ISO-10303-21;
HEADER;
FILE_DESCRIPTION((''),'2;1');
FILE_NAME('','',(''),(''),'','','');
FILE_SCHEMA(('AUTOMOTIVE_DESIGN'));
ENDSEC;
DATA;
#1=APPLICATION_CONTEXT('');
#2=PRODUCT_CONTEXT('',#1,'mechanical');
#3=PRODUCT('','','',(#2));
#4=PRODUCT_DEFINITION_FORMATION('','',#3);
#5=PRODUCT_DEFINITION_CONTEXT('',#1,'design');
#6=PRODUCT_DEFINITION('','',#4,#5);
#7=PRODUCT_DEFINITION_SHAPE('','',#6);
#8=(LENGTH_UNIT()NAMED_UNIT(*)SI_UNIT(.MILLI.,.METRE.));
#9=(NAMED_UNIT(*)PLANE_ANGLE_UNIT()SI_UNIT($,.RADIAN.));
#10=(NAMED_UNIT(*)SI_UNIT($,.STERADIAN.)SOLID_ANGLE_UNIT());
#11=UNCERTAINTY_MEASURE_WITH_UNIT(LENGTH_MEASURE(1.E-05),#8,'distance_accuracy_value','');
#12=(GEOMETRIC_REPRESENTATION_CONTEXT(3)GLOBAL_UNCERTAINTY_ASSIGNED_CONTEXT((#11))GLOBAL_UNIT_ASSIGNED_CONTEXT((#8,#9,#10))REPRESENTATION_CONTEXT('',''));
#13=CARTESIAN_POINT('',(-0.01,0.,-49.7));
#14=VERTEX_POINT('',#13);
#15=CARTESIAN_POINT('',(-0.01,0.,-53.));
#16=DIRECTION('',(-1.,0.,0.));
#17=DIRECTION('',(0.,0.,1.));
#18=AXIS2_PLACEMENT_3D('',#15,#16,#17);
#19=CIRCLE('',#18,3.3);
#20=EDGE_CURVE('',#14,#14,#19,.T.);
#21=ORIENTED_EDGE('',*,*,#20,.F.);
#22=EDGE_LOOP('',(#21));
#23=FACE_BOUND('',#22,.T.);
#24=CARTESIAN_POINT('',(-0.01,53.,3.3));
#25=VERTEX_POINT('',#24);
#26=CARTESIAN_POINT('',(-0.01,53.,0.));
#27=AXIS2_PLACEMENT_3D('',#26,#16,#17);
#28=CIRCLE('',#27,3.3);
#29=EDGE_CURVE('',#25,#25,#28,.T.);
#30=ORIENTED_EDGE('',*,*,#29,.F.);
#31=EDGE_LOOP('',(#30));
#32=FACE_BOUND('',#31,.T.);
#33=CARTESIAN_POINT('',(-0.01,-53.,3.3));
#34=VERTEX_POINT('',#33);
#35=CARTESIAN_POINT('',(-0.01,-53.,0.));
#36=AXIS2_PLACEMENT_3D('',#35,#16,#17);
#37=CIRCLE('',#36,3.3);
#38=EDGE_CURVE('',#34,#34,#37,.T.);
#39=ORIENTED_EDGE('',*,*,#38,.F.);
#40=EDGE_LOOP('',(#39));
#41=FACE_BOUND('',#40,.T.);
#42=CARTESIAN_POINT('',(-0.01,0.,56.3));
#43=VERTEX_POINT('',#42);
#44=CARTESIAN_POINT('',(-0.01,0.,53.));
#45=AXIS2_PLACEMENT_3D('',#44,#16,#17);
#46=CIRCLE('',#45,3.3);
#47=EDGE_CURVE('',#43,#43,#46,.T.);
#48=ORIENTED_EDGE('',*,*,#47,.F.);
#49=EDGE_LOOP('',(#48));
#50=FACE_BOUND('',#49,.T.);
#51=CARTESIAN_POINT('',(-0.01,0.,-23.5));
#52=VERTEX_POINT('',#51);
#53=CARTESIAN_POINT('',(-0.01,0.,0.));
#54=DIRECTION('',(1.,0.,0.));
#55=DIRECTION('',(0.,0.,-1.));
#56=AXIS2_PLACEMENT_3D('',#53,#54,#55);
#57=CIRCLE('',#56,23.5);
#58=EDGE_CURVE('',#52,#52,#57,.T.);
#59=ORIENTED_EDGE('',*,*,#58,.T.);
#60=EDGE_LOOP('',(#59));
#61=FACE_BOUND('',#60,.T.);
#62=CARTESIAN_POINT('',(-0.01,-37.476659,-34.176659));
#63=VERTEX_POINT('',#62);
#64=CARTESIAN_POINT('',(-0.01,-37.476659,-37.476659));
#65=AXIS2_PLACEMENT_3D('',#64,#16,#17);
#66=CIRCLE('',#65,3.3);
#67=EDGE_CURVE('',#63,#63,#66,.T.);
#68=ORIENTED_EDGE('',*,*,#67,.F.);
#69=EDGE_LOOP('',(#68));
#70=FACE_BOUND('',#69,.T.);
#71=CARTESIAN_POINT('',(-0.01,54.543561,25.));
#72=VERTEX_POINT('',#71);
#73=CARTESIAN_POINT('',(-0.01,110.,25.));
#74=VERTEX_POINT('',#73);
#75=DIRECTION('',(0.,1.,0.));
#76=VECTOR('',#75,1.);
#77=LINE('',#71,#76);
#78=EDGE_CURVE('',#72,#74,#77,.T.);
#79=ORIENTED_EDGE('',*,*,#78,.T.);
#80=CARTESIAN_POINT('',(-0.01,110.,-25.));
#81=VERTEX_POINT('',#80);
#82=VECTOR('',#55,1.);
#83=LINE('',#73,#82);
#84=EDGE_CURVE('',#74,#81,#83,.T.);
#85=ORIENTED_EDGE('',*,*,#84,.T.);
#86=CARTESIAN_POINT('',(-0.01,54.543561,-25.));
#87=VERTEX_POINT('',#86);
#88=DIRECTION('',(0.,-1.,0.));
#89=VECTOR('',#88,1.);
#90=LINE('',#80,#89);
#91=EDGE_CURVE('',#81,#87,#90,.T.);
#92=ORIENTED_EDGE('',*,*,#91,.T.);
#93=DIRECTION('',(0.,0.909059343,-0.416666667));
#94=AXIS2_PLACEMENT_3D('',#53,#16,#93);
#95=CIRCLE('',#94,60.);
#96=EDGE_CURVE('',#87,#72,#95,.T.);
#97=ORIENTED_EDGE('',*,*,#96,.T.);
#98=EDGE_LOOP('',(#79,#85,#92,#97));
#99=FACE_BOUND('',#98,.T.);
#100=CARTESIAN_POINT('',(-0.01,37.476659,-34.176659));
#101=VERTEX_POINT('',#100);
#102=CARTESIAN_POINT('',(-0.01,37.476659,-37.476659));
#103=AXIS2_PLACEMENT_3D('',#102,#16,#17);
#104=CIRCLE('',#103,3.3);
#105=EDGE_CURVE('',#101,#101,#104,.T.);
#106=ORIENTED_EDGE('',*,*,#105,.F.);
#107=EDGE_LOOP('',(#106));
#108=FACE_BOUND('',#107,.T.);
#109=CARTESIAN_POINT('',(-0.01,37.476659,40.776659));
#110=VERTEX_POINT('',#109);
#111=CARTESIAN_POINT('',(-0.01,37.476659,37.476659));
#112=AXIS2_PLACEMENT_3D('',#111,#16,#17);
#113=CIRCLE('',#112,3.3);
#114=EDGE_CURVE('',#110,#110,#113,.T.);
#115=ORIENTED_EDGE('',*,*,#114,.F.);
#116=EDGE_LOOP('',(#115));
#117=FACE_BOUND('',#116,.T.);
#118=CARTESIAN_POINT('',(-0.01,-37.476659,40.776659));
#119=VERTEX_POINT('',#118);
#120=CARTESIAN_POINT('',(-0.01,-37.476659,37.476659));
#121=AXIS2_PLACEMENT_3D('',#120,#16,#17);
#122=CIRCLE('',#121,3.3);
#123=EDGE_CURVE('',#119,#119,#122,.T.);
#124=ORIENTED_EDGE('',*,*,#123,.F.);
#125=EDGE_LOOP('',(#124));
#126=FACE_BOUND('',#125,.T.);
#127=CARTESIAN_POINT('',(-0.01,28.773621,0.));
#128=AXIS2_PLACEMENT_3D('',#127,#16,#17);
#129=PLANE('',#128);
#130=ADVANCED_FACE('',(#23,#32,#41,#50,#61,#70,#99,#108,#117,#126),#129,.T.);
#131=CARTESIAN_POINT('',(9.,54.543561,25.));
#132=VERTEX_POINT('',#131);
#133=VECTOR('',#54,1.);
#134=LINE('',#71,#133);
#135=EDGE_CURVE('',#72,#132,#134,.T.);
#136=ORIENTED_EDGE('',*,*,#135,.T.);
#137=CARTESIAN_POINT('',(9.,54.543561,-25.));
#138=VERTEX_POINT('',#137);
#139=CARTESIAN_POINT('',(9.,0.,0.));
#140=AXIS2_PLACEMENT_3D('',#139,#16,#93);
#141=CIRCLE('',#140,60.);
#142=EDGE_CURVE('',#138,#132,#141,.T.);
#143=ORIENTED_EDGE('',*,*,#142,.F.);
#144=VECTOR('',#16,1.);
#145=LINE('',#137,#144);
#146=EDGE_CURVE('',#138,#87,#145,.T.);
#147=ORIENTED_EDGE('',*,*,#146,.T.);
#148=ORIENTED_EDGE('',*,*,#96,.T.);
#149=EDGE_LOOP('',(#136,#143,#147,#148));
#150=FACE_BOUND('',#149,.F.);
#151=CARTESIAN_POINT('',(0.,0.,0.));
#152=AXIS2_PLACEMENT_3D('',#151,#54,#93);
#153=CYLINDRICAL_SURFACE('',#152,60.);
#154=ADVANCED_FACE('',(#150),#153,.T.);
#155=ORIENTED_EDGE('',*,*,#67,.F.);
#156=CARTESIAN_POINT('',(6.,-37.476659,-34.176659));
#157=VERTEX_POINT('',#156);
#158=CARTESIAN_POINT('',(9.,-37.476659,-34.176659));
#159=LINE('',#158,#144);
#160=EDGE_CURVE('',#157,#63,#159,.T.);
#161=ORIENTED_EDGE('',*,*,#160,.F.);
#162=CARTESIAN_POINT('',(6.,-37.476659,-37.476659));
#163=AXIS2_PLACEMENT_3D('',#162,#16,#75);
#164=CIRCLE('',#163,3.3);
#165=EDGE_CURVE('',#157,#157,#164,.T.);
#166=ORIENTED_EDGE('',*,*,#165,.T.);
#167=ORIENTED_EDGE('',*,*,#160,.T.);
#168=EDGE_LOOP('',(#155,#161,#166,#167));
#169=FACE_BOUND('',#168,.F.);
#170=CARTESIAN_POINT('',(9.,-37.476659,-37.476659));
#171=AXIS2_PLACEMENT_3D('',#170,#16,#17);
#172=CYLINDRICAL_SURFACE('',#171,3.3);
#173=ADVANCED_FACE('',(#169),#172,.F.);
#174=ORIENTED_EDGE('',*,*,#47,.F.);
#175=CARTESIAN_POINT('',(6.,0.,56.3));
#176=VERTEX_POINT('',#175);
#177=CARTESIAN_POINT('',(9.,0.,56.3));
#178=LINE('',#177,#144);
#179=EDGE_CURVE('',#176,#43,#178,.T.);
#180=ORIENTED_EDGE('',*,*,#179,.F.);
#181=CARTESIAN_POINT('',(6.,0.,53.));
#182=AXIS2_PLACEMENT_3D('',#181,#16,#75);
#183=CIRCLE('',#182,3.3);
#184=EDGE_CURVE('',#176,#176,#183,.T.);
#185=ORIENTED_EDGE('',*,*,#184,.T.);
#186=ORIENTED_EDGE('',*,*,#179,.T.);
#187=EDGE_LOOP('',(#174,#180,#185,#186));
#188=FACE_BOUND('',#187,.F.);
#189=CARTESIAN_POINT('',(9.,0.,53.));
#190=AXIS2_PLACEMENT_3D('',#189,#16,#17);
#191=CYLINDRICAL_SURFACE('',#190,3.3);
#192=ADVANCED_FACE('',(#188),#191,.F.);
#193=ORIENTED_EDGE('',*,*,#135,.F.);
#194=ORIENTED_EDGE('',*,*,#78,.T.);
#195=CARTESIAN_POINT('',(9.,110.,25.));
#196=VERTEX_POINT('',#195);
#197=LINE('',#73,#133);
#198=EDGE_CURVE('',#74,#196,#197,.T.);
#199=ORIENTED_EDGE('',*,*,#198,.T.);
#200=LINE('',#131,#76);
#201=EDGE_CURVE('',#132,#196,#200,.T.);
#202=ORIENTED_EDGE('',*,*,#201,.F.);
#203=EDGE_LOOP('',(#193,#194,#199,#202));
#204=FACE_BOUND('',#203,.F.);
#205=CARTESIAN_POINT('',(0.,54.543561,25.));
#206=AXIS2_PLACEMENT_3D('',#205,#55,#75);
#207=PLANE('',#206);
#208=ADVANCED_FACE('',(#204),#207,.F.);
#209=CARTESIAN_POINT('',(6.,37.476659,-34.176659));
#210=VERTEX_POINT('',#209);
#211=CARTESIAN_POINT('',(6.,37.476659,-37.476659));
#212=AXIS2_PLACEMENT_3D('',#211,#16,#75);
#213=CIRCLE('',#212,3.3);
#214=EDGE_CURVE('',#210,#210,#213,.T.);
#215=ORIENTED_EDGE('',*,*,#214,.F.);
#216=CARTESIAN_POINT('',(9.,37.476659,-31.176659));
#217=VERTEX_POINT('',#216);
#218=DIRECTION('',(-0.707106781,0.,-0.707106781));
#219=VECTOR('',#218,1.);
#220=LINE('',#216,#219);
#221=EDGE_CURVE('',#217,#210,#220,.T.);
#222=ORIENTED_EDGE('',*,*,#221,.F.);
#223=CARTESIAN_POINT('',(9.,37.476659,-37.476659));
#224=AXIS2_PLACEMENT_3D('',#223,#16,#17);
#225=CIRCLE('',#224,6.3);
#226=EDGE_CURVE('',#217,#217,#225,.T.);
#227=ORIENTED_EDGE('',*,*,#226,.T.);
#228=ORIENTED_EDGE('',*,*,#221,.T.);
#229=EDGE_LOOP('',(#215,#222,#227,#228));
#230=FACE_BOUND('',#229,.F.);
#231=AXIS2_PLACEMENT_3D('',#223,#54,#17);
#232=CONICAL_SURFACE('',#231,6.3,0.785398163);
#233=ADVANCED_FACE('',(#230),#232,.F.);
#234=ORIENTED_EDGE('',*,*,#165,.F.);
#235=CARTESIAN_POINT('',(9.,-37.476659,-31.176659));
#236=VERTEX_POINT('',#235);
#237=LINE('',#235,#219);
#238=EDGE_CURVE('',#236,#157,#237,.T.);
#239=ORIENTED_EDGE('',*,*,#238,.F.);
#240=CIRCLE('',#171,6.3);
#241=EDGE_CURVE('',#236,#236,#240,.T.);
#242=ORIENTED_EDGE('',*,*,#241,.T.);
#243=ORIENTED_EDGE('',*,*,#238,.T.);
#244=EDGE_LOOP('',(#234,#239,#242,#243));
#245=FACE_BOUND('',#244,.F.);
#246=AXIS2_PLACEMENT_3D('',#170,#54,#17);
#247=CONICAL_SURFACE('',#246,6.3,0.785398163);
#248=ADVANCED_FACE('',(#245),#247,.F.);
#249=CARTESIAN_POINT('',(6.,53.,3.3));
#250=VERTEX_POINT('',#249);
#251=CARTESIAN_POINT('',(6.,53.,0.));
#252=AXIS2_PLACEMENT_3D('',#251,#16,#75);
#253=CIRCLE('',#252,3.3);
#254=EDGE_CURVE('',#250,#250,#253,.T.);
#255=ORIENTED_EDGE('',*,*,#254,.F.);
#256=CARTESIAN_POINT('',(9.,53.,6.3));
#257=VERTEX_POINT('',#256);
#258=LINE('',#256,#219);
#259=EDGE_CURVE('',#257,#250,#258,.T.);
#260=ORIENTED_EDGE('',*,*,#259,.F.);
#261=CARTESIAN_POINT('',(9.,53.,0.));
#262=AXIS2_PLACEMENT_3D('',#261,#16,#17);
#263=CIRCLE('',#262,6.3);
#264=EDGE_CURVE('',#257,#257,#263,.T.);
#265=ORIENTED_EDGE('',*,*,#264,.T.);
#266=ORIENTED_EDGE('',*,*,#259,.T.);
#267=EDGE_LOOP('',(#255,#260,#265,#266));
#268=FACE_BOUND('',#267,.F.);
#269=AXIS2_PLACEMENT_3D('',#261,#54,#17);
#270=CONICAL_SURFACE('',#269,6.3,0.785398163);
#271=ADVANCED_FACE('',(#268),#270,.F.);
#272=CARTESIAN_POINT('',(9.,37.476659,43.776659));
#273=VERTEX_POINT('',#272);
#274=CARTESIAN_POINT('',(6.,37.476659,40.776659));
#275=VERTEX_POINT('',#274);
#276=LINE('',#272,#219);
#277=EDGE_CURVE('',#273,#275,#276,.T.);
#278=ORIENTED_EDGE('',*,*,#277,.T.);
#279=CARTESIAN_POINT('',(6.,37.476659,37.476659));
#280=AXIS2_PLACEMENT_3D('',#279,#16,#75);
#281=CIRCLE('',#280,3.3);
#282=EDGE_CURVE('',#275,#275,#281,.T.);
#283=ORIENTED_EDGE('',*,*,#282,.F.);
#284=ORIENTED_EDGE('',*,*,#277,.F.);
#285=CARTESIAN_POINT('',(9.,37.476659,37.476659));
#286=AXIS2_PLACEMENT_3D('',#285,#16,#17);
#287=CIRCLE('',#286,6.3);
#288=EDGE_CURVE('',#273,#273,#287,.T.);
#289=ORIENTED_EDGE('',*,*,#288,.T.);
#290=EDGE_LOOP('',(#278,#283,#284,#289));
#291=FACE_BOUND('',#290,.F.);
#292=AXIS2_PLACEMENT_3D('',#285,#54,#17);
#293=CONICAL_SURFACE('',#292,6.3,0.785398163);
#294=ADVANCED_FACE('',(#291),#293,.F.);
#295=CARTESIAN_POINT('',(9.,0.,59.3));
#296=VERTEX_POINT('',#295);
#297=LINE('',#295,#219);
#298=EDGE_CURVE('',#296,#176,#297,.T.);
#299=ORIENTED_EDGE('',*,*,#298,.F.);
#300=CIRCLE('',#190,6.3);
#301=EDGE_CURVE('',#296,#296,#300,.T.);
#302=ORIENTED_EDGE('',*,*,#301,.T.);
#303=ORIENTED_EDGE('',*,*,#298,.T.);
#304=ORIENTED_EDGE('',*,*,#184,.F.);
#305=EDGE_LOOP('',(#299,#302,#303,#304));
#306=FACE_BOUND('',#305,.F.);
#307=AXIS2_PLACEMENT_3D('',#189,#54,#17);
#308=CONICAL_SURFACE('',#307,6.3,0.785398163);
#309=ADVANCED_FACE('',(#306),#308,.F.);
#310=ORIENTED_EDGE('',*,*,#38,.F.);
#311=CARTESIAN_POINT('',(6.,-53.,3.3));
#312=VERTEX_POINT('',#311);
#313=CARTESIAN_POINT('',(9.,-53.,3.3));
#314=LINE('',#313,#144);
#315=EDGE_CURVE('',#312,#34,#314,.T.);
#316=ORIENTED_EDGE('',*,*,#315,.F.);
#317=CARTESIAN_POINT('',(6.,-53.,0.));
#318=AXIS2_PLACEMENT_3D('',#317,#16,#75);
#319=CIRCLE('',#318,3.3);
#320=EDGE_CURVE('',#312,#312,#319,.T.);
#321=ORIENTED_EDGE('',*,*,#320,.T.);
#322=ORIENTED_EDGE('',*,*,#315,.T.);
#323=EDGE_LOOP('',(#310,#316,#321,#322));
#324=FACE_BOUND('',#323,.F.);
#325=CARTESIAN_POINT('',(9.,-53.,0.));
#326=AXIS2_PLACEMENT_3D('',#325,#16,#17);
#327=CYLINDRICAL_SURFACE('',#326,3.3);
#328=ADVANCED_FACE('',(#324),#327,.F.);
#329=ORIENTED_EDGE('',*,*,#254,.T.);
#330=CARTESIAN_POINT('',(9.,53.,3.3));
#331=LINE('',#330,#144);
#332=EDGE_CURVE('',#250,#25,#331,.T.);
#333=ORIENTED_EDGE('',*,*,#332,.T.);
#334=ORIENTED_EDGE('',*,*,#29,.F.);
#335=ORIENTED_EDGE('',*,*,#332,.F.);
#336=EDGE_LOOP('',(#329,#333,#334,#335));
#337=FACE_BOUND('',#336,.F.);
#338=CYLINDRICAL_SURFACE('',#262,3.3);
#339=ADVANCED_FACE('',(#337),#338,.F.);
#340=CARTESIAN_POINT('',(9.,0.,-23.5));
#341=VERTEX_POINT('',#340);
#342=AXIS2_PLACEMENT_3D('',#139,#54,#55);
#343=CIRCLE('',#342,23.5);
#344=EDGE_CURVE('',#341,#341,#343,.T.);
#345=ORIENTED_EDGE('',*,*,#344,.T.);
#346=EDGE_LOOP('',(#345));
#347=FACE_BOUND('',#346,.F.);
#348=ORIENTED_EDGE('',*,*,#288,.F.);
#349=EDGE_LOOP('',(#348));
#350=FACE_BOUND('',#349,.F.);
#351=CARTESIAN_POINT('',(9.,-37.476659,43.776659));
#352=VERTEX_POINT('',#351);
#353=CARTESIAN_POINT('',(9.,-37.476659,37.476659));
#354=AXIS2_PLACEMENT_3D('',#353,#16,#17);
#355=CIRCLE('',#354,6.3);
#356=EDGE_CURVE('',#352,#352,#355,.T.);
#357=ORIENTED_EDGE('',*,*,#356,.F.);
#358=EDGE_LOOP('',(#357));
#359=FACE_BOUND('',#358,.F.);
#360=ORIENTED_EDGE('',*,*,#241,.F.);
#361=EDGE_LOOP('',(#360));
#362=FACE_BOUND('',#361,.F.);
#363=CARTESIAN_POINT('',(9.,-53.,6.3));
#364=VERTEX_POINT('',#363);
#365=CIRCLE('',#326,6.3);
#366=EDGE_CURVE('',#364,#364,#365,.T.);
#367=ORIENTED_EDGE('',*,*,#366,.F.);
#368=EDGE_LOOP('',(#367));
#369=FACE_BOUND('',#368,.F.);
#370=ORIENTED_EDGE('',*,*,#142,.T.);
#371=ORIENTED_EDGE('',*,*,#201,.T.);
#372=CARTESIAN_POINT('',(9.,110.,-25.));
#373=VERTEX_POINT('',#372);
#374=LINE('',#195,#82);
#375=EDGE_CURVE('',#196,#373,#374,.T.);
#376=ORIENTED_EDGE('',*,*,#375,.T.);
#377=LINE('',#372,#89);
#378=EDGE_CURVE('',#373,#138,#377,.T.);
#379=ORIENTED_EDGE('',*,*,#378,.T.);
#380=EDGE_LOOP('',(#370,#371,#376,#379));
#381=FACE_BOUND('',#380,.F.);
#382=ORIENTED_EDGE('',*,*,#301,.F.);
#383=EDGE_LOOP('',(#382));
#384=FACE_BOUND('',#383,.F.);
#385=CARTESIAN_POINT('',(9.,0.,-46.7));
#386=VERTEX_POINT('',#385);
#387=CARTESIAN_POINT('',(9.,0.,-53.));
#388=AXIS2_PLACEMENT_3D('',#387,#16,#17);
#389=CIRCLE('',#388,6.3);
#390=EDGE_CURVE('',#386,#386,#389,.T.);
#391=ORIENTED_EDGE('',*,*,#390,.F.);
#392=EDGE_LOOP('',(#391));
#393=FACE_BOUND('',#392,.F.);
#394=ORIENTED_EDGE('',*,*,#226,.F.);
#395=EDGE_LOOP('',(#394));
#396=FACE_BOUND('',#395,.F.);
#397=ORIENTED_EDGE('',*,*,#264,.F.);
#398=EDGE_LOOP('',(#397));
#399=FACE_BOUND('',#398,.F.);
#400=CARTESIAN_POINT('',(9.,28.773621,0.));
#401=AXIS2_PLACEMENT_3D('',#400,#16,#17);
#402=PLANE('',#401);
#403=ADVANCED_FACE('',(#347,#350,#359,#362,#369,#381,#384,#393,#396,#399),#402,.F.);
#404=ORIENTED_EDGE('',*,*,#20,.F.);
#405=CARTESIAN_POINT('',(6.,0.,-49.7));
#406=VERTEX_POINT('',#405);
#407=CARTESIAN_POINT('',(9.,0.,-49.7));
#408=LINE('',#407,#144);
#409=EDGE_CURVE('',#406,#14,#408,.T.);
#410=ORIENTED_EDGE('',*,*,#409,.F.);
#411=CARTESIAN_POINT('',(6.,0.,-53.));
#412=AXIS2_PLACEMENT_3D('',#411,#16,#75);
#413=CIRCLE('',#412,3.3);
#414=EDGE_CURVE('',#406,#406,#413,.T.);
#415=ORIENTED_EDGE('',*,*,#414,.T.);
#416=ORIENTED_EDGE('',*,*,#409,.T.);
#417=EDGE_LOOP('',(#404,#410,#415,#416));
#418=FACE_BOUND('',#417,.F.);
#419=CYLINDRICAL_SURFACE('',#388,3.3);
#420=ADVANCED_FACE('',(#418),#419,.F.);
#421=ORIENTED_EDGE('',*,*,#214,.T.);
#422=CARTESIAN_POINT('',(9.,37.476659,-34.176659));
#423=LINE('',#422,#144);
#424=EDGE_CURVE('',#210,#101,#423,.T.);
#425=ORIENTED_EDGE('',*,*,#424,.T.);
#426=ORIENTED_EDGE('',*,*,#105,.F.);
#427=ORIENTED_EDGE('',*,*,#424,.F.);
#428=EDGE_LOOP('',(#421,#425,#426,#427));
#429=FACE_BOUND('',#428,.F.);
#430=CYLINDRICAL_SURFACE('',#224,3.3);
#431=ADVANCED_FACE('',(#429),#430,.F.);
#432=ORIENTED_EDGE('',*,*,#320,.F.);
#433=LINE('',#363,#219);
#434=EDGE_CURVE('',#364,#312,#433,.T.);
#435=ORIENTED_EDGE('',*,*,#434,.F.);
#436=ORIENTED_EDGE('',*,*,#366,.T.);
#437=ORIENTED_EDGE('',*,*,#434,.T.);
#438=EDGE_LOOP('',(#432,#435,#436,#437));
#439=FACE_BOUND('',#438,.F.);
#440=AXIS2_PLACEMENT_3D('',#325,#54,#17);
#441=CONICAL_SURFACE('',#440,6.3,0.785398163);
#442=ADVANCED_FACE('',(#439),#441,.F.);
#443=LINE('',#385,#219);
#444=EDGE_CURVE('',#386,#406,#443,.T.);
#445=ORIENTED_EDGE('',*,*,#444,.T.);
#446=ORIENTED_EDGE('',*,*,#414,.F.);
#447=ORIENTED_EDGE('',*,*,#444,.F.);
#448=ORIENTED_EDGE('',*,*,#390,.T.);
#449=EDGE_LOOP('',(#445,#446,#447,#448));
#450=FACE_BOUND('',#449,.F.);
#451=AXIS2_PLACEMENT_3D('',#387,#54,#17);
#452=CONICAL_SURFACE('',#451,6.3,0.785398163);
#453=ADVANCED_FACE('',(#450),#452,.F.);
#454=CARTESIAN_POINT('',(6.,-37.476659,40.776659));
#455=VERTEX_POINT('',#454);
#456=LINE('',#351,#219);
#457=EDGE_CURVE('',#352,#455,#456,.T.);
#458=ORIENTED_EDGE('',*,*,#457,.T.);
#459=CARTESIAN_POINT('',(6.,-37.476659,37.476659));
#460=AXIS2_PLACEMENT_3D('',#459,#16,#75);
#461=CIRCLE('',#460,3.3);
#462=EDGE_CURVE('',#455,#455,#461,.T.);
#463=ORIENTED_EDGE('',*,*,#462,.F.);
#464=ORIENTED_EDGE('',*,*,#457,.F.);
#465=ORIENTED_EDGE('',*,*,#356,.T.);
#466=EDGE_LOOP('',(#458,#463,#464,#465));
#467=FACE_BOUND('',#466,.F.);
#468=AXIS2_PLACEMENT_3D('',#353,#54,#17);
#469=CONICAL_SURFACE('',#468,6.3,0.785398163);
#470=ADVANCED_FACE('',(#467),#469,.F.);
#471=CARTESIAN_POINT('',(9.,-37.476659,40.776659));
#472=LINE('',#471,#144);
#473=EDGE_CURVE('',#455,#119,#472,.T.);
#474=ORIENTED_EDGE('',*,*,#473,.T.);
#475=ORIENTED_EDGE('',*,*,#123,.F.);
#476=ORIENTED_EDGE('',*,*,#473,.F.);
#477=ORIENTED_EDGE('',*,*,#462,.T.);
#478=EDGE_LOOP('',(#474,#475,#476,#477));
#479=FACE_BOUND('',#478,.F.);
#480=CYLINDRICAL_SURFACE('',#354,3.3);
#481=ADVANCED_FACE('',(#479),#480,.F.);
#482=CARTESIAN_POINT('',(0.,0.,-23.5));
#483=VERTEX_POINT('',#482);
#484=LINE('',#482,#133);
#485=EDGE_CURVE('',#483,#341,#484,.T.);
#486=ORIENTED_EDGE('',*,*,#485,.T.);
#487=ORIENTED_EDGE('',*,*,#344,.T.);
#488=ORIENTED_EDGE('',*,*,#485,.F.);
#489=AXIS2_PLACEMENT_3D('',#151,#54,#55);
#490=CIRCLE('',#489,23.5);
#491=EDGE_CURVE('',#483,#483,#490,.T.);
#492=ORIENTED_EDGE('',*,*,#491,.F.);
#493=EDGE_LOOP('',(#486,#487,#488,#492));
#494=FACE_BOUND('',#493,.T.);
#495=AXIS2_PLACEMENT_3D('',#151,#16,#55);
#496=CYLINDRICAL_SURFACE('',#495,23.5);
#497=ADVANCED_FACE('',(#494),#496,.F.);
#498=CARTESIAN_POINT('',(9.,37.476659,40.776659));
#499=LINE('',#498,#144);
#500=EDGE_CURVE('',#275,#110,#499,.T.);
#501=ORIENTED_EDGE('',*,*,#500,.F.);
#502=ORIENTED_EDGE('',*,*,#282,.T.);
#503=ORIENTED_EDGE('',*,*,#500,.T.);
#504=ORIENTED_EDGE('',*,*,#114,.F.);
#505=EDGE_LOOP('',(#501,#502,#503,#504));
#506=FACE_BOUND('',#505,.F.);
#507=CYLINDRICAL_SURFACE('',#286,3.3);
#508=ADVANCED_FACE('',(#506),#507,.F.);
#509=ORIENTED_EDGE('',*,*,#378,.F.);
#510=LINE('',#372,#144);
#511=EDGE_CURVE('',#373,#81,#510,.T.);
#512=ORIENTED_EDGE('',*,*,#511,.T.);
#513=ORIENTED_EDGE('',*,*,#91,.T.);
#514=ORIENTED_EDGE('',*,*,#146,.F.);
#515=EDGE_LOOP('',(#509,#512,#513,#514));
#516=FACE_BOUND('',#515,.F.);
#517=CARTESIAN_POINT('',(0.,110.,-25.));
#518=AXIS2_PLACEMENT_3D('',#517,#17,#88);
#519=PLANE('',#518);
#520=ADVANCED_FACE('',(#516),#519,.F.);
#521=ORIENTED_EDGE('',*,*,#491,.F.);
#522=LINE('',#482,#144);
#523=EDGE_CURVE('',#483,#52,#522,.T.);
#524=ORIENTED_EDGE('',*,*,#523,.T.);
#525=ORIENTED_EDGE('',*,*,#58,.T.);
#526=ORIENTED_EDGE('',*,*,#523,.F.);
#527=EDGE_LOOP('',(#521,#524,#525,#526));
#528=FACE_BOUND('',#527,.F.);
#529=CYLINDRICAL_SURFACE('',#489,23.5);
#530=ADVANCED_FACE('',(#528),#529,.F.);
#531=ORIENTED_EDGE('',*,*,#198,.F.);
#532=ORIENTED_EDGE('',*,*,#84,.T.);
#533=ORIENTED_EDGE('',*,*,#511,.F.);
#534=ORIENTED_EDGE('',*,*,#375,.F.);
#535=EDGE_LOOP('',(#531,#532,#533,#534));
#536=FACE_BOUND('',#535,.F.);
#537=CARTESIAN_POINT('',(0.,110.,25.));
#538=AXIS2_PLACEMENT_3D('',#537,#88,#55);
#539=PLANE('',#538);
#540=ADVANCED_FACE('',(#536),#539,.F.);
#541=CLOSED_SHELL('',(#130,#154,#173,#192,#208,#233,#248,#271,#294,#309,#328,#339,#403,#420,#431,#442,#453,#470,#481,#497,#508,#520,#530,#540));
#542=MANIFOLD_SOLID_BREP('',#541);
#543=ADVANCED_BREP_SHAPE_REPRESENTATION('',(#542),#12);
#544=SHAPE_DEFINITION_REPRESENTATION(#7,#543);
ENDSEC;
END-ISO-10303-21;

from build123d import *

# Parameters (mm, degrees)
SKETCH1_R                                           = 23.5
BOSS_EXTRUDE1_DEPTH                                 = 9
BOSS_EXTRUDE1_DEPTH_BACK                            = 0.01
CSK_FOR_M6_COUNTERSUNK_FLAT_HEAD_SCREW1_D           = 6.6
CSK_FOR_M6_COUNTERSUNK_FLAT_HEAD_SCREW1_CSINK_D     = 12.6
CSK_FOR_M6_COUNTERSUNK_FLAT_HEAD_SCREW1_CSINK_ANGLE = 90


with BuildPart() as part:
    # Sketch1 → Boss-Extrude1 (new body, two sides)
    with BuildSketch(Plane(origin=(0, 0, 0), x_dir=(0, 0, -1), z_dir=(1, 0, 0))) as boss_extrude1_sk:
        with BuildLine():
            Line((-25, 110), (25, 110))
            Line((25, 110), (25, 54.543560573))
            ThreePointArc((25, 54.543560573), (0, -60), (-25, 54.543560573))
            Line((-25, 54.543560573), (-25, 110))
        make_face()
        Circle(SKETCH1_R, mode=Mode.SUBTRACT)
    extrude(amount=BOSS_EXTRUDE1_DEPTH)
    extrude(boss_extrude1_sk.sketch, amount=-BOSS_EXTRUDE1_DEPTH_BACK)

    # CSK for M6 Countersunk Flat Head Screw1 (through all)
    with Locations(Plane(origin=(9, 0, 0), x_dir=(0, 0, -1), z_dir=(1, 0, 0))):
        with Locations((-37.476659403, 37.476659403), (0, 53), (37.476659403, 37.476659403), (53, 0), (37.476659403, -37.476659403), (0, -53), (-37.476659403, -37.476659403), (-53, 0)):
            CounterSinkHole(CSK_FOR_M6_COUNTERSUNK_FLAT_HEAD_SCREW1_D / 2, CSK_FOR_M6_COUNTERSUNK_FLAT_HEAD_SCREW1_CSINK_D / 2, counter_sink_angle=CSK_FOR_M6_COUNTERSUNK_FLAT_HEAD_SCREW1_CSINK_ANGLE)


solid = part.part
